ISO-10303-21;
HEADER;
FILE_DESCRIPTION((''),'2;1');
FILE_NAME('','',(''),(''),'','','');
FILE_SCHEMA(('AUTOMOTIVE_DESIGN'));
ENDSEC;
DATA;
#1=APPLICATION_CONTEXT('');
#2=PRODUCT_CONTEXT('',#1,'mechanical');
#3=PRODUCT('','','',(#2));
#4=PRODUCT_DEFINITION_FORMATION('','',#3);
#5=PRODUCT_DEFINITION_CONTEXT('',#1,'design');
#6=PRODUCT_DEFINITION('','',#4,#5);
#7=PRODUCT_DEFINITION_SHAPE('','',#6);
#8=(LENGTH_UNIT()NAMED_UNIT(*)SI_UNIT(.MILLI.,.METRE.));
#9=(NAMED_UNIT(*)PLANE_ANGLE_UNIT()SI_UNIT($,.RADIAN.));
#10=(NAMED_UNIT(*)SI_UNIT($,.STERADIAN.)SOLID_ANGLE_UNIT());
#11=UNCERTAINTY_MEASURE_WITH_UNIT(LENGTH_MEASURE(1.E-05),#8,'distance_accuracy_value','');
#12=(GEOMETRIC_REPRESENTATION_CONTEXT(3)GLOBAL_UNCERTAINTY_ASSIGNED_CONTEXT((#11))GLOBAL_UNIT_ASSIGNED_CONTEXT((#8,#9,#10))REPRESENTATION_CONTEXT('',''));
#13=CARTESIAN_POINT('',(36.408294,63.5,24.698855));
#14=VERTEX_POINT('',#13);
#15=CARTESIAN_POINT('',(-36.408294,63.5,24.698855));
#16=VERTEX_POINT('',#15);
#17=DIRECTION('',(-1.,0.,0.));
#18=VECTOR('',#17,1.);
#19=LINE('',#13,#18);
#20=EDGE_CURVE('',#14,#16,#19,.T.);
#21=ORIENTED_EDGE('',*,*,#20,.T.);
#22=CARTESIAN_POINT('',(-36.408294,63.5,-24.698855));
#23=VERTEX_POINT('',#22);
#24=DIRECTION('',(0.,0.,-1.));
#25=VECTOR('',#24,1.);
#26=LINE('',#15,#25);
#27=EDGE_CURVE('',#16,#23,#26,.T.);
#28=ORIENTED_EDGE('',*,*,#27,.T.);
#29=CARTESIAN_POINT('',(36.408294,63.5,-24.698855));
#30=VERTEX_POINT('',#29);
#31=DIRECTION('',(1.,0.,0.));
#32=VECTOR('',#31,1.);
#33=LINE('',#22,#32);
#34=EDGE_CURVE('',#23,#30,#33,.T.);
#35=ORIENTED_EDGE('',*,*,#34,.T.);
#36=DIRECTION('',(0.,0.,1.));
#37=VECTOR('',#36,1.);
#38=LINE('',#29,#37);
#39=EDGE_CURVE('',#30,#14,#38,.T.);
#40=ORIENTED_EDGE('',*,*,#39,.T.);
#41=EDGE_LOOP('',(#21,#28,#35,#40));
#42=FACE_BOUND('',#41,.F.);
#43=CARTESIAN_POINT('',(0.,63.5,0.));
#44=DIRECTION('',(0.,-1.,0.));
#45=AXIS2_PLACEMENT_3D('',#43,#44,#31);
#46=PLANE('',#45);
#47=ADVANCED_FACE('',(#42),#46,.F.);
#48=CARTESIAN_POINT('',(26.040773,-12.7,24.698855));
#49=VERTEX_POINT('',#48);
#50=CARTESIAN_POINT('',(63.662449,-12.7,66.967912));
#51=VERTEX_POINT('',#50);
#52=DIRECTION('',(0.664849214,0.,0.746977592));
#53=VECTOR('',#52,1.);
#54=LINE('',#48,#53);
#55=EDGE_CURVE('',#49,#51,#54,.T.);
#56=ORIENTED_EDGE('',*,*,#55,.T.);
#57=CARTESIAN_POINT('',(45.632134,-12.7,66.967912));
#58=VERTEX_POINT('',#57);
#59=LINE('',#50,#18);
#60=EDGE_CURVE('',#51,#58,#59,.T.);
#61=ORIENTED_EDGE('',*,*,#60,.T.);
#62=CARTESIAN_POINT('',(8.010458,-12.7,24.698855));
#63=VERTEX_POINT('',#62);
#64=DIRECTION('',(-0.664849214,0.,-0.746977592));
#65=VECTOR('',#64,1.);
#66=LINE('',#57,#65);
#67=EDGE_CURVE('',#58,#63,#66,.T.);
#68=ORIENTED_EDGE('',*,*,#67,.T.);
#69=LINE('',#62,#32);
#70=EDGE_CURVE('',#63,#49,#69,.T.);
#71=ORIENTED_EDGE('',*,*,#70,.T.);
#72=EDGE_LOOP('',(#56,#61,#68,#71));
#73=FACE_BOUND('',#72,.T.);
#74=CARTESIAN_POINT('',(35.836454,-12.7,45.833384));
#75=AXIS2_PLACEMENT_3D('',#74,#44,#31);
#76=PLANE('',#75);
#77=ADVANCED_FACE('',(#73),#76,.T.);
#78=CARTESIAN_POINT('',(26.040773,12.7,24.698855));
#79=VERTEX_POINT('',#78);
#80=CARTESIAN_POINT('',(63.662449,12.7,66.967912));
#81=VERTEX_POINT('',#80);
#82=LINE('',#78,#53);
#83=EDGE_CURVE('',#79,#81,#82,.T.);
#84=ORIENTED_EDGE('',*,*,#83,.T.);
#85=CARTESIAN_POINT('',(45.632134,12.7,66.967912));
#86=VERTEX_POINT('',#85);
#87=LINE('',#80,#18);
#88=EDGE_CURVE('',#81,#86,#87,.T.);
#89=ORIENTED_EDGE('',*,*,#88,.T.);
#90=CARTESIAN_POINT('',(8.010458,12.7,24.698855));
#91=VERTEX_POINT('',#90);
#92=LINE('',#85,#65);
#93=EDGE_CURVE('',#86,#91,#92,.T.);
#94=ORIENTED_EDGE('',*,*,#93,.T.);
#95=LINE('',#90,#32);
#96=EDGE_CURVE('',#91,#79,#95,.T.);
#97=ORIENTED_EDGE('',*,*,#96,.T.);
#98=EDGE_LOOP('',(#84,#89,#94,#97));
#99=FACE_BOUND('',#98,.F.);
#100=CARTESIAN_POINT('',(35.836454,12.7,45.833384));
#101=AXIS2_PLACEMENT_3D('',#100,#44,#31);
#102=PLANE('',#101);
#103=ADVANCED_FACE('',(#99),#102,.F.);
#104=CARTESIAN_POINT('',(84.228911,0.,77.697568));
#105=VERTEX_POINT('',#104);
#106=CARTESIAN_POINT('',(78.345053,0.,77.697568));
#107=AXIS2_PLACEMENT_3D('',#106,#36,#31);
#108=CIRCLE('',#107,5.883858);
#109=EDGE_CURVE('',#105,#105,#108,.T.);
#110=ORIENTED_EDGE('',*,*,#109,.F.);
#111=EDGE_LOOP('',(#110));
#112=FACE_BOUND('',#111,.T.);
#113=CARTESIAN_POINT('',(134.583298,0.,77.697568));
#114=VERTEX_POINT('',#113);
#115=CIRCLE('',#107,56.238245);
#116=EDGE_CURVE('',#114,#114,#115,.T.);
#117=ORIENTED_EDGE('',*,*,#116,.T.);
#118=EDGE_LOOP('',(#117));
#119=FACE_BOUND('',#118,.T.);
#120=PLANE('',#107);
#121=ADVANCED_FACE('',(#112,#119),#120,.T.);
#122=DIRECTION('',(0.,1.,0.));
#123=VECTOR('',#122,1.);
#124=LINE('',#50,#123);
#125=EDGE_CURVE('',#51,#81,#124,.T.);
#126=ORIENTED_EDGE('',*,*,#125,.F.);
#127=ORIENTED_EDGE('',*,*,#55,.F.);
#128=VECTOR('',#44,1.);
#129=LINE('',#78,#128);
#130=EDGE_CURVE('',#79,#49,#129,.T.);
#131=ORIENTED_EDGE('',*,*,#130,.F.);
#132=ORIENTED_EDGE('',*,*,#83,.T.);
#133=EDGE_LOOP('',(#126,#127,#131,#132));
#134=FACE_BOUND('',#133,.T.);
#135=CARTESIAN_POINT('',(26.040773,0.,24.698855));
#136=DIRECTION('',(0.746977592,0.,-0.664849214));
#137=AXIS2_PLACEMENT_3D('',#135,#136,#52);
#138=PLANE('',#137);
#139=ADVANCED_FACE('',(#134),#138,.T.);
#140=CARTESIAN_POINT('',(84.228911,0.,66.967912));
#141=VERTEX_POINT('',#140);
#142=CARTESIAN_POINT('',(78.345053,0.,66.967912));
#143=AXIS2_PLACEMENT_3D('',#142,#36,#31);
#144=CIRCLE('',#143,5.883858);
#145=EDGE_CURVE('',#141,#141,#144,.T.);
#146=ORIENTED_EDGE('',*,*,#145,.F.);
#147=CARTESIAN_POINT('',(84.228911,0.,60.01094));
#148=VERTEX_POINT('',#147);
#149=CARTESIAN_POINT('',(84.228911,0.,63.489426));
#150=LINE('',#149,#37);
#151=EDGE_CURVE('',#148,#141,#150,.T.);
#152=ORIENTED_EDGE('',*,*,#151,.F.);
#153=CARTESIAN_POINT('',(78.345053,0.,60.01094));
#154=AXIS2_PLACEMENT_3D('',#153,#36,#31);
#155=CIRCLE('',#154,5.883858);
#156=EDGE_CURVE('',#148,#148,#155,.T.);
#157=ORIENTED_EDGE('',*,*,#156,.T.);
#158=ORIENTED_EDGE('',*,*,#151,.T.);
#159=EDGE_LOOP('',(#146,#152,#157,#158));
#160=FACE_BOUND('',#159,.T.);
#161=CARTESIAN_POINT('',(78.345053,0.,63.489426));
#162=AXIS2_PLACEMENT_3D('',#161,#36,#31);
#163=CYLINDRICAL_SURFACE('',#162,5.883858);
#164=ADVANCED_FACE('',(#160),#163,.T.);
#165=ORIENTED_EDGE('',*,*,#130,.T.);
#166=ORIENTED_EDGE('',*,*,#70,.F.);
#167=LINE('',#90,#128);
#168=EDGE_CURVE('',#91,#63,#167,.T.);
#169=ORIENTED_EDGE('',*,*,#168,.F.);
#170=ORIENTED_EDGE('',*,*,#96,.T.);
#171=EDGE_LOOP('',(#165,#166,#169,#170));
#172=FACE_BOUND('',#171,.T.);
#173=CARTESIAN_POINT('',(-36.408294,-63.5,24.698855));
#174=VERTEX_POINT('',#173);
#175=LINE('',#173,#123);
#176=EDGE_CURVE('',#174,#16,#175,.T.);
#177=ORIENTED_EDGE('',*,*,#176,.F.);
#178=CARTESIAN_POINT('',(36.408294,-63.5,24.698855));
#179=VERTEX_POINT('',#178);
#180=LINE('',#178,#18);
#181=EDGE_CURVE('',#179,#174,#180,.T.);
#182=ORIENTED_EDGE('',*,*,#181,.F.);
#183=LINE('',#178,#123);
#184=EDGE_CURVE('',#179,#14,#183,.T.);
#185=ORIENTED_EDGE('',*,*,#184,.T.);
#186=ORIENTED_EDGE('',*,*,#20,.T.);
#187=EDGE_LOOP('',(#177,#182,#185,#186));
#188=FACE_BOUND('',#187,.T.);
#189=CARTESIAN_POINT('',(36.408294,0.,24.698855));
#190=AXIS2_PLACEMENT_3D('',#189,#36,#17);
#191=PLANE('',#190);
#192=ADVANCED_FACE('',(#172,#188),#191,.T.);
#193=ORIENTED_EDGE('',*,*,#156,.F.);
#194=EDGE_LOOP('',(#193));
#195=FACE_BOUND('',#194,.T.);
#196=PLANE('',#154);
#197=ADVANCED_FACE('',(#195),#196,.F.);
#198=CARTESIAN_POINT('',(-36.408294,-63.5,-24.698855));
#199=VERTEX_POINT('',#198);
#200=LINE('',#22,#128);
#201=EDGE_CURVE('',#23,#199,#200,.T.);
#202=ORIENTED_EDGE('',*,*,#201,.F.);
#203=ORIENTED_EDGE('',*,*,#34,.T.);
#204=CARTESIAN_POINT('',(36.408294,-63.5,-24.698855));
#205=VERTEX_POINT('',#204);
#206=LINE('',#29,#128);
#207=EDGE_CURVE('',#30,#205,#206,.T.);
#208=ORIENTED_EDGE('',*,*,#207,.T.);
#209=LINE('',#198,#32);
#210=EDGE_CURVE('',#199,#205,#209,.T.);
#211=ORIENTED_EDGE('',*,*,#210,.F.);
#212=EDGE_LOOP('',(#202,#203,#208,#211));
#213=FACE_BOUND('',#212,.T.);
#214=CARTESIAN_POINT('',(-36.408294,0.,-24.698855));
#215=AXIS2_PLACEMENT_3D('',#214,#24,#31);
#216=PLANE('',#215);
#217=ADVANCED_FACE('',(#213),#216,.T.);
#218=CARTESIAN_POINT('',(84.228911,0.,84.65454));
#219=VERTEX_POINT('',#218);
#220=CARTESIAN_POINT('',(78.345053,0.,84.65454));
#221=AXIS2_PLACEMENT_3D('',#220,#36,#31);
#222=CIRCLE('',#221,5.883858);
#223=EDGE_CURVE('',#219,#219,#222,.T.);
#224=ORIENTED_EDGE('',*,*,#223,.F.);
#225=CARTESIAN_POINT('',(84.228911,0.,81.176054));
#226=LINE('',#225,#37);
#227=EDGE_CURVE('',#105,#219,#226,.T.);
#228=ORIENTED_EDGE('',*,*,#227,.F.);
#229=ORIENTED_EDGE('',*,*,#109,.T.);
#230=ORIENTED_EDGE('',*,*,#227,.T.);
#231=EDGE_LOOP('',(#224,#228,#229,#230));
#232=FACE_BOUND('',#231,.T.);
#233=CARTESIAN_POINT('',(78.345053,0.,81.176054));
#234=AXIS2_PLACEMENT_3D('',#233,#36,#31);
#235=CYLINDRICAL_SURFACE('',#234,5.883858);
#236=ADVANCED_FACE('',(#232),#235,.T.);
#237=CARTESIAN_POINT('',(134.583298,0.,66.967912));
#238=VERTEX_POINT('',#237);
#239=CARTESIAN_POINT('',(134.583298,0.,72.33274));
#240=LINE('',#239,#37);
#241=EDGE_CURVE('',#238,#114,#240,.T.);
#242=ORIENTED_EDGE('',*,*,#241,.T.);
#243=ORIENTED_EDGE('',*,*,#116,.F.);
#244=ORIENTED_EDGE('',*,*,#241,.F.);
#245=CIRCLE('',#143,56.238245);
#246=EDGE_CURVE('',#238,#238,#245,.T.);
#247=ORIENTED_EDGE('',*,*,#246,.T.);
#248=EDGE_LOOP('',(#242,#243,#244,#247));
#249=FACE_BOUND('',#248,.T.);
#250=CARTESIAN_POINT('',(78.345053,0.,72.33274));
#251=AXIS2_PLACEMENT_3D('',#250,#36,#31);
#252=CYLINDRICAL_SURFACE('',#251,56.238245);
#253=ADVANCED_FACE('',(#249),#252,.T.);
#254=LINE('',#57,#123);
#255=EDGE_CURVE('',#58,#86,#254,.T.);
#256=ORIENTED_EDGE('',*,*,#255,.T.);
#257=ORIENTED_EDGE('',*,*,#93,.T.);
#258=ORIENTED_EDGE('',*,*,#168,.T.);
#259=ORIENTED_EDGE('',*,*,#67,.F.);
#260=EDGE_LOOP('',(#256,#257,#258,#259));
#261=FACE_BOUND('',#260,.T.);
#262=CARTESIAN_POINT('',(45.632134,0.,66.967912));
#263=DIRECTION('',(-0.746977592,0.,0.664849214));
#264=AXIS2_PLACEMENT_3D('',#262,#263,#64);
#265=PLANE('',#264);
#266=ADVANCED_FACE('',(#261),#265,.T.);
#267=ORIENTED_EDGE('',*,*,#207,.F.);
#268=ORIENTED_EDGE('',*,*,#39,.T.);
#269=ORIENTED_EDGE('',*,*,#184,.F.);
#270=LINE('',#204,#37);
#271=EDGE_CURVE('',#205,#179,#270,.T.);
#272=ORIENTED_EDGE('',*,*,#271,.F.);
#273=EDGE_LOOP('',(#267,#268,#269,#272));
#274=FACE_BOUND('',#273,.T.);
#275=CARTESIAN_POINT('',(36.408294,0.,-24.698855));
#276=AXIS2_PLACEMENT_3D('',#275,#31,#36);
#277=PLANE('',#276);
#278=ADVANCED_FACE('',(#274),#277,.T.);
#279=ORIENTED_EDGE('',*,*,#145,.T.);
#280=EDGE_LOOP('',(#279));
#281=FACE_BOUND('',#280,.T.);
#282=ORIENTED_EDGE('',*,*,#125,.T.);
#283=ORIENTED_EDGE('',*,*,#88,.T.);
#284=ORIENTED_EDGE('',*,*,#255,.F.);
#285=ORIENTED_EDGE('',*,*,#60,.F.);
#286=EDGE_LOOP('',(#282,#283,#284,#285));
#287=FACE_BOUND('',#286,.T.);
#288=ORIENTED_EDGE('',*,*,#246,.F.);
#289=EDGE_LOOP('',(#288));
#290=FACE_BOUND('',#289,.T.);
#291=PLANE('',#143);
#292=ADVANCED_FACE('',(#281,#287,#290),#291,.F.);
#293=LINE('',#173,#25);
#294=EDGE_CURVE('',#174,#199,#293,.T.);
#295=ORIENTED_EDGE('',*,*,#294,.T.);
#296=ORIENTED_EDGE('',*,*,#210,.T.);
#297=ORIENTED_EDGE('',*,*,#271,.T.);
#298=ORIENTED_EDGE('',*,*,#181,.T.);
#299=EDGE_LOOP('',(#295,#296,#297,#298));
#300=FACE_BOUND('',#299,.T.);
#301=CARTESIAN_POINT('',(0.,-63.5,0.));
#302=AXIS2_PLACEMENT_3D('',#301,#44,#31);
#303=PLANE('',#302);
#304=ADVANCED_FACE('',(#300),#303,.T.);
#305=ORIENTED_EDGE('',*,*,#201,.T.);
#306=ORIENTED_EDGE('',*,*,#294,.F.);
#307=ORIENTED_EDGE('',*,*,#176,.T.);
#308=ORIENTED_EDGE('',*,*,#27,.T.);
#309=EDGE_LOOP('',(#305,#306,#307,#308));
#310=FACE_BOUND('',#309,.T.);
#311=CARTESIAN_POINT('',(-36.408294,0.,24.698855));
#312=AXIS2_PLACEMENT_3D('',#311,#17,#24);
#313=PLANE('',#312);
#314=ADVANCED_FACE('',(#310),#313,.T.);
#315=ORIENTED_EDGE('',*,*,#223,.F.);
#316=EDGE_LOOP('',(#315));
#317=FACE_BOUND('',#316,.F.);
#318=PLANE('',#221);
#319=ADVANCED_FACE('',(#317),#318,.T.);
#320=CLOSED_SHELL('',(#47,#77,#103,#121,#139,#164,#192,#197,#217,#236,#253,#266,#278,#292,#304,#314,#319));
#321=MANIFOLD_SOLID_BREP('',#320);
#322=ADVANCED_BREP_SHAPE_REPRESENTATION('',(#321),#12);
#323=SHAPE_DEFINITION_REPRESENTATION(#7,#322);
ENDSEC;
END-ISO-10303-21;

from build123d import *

# Parameters (mm, degrees)
F1_DEPTH = 63.5
F2_DEPTH = 12.7
F0_W     = 50.3543876112
F0_H     = 10.7296556234
F0_W_2   = 5.8838576078
F0_H_2   = 6.9569721818


with BuildPart() as f1:
    # F0 (on Front) → F1 (new body, symmetric)
    with BuildSketch(Plane.XZ):
        Polygon((26.0407731761, 24.6988553554), (8.0104582012, 24.6988553554), (-36.4082939923, 24.6988553554), (-36.4082939923, -24.6988553554), (36.4082939923, -24.6988553554), (36.4082939923, 24.6988553554), align=None)
    extrude(amount=F1_DEPTH, both=True)

    # F0 (on Front) → F2 (join, symmetric)
    with BuildSketch(Plane.XZ):
        Polygon((45.6321343976, 66.9679120183), (8.0104582012, 24.6988553554), (26.0407731761, 24.6988553554), (63.6624493725, 66.9679120183), align=None)
    extrude(amount=F2_DEPTH, both=True)

    # F0 (on Front) → F3 (revolve)
    with BuildSketch(Plane.XZ):
        with Locations((109.4061043113, 72.33273983)):
            Rectangle(F0_W, F0_H)
        Polygon((78.3450528979, 72.33273983), (78.3450528979, 66.9679120183), (84.2289105058, 66.9679120183), (84.2289105058, 77.6975676417), (78.3450528979, 77.6975676417), align=None)
        with Locations((81.2869817019, 63.4894259274)):
            Rectangle(F0_W_2, F0_H_2)
        with Locations((81.2869817019, 81.1760537326)):
            Rectangle(F0_W_2, F0_H_2)
    revolve(axis=Axis((78.3450528979, 0, 78.4936398268), (0, 0, 1)))


solid = f1.part
